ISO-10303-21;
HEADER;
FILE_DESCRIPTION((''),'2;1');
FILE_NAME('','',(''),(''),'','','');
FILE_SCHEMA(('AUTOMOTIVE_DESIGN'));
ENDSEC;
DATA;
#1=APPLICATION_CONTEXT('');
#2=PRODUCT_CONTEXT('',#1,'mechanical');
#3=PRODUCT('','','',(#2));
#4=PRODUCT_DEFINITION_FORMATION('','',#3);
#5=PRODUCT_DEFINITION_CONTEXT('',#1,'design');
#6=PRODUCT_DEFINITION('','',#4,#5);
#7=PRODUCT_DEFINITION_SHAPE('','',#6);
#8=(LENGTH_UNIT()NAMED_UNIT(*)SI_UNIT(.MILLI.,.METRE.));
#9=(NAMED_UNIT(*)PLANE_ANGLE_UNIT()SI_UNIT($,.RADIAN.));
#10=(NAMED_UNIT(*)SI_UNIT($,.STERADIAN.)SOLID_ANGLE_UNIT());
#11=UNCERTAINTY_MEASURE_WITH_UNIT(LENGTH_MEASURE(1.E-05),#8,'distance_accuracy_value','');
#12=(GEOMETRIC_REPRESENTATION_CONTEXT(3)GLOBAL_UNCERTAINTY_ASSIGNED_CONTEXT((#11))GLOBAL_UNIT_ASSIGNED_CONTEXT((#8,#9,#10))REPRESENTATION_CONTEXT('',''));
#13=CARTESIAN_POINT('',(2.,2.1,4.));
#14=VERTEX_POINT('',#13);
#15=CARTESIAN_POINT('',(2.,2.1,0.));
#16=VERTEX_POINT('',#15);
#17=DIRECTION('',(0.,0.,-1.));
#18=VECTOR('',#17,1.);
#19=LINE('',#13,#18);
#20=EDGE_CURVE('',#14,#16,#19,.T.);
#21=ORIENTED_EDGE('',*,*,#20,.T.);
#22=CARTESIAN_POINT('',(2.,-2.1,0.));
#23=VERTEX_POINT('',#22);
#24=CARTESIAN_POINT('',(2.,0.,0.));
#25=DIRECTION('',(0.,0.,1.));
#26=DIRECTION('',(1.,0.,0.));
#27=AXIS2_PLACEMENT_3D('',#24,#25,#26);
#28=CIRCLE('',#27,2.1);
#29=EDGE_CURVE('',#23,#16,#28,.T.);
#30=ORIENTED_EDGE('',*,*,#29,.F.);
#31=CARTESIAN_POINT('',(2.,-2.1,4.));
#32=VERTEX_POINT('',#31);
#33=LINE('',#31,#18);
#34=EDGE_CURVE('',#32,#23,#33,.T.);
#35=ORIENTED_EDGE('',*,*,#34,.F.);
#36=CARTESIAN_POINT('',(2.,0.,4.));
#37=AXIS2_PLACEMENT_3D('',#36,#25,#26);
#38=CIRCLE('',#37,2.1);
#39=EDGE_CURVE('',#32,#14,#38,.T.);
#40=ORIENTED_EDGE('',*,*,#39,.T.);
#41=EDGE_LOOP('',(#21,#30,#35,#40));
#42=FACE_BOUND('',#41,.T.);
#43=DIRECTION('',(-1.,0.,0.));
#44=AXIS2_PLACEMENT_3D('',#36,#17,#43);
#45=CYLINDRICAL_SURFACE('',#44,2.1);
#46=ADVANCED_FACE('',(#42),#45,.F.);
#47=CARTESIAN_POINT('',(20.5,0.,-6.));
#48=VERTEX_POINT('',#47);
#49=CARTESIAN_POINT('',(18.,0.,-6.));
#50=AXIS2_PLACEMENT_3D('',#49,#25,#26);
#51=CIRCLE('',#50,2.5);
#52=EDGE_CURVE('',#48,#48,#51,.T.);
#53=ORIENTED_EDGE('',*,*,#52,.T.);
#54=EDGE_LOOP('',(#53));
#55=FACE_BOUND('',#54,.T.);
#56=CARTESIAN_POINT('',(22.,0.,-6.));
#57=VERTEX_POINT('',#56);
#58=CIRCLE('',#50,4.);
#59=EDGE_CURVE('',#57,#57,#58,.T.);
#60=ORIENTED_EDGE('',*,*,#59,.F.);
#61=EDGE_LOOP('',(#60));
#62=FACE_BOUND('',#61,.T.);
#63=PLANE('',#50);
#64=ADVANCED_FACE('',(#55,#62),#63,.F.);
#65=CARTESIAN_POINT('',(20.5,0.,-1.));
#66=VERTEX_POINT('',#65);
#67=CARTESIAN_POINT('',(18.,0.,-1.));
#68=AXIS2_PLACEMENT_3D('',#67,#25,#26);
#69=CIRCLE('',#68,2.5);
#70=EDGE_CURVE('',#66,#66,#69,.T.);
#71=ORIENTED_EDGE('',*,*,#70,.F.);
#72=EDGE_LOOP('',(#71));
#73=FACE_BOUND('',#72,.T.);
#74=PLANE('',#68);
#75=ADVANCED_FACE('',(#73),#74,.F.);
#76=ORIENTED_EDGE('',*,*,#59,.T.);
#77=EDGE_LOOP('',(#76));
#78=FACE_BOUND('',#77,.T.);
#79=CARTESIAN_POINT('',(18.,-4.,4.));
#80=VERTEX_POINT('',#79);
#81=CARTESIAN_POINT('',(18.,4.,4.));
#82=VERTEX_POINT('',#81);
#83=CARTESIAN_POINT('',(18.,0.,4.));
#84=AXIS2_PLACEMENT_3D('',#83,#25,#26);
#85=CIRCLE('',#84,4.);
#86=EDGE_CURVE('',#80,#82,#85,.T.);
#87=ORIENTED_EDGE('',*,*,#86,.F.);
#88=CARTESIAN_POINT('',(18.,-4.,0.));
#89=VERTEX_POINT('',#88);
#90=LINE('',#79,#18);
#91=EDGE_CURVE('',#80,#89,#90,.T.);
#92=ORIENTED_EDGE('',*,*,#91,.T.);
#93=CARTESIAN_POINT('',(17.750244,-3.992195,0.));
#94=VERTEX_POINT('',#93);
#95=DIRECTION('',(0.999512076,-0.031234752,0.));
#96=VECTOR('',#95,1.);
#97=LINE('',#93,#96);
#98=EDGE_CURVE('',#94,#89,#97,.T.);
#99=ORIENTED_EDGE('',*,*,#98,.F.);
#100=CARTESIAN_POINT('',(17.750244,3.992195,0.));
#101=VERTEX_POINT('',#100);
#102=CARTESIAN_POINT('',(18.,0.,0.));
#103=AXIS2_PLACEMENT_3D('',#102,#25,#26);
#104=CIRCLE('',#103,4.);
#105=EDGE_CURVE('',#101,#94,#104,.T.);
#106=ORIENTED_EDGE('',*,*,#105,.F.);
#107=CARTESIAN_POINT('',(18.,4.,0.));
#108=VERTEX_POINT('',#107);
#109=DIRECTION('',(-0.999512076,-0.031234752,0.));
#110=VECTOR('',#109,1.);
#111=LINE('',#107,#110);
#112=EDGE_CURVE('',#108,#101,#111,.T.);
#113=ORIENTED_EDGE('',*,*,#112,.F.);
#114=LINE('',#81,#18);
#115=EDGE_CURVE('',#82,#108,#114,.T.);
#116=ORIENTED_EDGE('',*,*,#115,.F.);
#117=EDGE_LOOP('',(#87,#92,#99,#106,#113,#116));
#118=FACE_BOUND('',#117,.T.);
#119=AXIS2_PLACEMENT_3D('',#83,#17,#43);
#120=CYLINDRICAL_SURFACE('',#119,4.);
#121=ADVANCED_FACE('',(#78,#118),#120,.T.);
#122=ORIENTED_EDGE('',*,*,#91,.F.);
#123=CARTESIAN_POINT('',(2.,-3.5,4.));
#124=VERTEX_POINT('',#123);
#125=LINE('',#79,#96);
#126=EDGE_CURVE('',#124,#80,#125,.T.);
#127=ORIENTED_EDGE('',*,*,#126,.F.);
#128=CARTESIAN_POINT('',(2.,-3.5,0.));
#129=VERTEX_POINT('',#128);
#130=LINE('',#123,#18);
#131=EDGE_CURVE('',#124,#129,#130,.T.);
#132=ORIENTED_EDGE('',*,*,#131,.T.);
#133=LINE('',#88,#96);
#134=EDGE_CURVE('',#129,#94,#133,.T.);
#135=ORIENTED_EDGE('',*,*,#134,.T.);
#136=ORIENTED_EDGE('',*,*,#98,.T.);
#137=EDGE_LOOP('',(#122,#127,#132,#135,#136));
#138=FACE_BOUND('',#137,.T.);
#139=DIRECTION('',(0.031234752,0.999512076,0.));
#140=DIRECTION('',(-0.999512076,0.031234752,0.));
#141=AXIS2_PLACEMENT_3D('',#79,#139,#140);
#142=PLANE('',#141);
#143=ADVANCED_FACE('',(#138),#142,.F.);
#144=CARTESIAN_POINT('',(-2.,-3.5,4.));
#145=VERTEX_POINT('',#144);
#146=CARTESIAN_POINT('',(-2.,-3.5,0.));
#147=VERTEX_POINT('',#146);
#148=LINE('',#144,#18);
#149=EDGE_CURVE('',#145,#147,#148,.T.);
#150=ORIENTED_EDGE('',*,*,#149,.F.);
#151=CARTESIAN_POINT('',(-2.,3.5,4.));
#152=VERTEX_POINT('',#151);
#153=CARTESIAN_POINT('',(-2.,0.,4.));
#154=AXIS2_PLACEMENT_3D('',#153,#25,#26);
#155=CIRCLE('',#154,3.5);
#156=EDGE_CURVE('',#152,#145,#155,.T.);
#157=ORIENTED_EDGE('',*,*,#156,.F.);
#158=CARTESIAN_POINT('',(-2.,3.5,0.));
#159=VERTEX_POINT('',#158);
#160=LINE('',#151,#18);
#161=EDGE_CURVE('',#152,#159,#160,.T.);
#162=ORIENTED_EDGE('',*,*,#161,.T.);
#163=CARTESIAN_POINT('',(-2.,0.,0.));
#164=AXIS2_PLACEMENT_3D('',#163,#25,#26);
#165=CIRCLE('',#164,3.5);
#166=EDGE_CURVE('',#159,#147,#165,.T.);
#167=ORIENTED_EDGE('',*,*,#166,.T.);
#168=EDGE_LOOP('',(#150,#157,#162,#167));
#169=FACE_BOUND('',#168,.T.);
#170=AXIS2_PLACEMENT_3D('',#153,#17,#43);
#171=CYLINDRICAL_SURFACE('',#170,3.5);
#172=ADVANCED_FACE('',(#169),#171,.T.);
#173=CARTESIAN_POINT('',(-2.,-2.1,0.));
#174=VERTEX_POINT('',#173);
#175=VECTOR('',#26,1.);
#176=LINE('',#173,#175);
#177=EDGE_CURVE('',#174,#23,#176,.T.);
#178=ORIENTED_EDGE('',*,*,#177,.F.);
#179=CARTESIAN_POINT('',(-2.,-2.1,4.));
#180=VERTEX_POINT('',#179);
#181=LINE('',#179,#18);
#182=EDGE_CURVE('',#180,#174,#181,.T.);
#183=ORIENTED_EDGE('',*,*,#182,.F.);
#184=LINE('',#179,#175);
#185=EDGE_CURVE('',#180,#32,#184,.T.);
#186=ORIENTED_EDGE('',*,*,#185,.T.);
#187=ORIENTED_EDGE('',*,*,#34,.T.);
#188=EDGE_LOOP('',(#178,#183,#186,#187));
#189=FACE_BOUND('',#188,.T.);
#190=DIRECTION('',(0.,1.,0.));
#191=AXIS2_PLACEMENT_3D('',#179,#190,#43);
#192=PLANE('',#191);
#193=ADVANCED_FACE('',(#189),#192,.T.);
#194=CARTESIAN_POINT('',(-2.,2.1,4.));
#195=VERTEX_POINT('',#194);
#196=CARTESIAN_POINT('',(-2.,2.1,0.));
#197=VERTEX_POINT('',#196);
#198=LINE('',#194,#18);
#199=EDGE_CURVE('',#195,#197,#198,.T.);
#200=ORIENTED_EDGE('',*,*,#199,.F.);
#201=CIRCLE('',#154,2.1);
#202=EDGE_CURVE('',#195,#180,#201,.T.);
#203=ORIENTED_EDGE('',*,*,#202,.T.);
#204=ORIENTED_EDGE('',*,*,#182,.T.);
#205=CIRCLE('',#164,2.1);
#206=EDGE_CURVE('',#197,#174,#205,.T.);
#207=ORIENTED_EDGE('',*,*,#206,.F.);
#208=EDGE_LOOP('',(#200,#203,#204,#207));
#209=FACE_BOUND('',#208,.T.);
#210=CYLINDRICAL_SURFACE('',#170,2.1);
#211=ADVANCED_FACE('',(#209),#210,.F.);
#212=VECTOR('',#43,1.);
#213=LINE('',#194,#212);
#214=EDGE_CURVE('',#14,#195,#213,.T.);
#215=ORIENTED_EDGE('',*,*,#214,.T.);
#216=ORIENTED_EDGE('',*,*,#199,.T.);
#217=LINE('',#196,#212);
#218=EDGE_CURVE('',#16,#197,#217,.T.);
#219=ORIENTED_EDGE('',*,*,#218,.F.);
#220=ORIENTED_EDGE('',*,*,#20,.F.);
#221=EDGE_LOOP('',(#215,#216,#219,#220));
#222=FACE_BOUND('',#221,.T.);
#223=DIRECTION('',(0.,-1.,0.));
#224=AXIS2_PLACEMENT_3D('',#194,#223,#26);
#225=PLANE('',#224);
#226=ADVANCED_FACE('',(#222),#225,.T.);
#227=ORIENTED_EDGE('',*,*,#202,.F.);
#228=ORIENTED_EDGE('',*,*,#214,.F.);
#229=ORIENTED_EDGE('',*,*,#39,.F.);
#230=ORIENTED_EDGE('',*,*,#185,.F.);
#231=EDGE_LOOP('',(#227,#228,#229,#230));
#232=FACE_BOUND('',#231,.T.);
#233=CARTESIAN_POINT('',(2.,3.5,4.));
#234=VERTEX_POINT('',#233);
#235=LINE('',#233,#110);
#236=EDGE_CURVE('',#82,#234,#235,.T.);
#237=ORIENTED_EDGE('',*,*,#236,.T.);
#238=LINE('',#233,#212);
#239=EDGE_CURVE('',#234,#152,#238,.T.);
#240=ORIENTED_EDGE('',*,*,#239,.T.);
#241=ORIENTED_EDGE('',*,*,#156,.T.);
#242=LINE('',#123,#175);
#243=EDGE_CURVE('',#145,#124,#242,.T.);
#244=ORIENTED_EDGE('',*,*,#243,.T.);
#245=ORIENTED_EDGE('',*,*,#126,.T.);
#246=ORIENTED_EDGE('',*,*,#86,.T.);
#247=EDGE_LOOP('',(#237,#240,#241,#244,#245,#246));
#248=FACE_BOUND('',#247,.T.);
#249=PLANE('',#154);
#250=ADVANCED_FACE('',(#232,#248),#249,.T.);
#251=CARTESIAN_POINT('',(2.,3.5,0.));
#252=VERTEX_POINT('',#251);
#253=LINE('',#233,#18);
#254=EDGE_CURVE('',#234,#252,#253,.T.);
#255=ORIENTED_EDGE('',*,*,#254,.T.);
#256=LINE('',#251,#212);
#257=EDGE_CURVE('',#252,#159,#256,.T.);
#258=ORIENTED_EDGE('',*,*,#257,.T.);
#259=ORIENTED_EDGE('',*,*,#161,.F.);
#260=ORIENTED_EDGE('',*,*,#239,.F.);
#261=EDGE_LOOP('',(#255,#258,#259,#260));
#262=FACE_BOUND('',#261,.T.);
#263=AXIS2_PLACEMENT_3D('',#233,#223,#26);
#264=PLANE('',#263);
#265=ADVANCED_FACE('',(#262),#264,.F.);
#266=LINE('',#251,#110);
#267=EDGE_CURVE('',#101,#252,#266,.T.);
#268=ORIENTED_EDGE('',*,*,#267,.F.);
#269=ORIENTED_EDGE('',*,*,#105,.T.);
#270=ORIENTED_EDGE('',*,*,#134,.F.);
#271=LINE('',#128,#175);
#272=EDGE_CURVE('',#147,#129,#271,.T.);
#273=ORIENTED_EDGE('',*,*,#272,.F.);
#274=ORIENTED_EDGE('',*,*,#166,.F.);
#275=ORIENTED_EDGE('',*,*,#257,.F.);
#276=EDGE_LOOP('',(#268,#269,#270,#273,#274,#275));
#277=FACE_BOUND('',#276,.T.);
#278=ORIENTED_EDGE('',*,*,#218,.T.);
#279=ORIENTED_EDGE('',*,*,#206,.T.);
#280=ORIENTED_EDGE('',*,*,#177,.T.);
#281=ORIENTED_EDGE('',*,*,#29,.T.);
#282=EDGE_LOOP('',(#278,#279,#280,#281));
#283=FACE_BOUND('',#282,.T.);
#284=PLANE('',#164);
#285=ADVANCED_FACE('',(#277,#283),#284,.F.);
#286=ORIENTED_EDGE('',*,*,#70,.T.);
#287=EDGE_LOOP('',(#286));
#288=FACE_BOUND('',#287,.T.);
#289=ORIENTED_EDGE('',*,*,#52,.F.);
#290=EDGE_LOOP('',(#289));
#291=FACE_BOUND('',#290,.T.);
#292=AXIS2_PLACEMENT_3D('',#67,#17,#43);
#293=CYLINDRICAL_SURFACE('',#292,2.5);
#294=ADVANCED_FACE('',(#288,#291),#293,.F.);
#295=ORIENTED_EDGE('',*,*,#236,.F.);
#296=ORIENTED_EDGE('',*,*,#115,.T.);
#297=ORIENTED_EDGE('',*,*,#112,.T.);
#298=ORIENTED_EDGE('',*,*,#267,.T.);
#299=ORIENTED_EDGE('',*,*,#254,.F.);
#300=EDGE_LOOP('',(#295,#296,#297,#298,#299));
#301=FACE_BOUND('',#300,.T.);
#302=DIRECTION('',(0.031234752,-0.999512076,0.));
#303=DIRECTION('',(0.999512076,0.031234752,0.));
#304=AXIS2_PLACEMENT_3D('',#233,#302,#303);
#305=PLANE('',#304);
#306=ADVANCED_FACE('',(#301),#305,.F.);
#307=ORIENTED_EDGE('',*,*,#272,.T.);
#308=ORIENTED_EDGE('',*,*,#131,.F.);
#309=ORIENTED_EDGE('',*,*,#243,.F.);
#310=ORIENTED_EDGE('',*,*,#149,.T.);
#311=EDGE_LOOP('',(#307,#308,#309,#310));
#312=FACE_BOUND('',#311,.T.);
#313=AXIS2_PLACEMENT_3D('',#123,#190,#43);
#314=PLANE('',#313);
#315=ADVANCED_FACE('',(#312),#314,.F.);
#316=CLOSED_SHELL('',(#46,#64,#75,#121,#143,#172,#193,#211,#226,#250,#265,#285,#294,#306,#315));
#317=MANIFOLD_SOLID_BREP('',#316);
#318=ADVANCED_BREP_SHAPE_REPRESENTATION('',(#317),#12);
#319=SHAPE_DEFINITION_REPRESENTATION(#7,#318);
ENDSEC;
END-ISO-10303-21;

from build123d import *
from build123d.topology import SkipClean

# Parameters (mm, degrees)
BOSS_EXTRU_1_DEPTH      = 4
ESQUISSE2_R             = 4
BOSS_EXTRU_2_DEPTH      = 6
ENL_V_START             = -6
ESQUISSE3_R             = 2.5
ENL_V_MAT_EXTRU_1_DEPTH = 5


with BuildPart() as part:
    # Esquisse1 → Boss.-Extru.1 (new body)
    with BuildSketch(Plane.XY):
        with BuildLine():
            Line((2, -3.5), (-2, -3.5))
            ThreePointArc((-2, -3.5), (-5.5, 0), (-2, 3.5))
            Line((-2, 3.5), (2, 3.5))
            Line((2, 3.5), (18, 4))
            ThreePointArc((18, 4), (22, 0), (18, -4))
            Line((18, -4), (2, -3.5))
        make_face()
        with BuildLine():
            Line((-2, 2.1), (2, 2.1))
            ThreePointArc((2, 2.1), (4.1, 0), (2, -2.1))
            Line((2, -2.1), (-2, -2.1))
            ThreePointArc((-2, -2.1), (-4.1, 0), (-2, 2.1))
        make_face(mode=Mode.SUBTRACT)
    extrude(amount=BOSS_EXTRU_1_DEPTH)

    # Esquisse2 → Boss.-Extru.2 (add)
    with SkipClean():  # the faces are left unmerged after this step: merging them gives an invalid solid
        with BuildSketch(Plane.XY):
            with Locations(Location((18, 0, 0), (0, 0, 266.420178784))):
                Circle(ESQUISSE2_R)
        extrude(amount=-BOSS_EXTRU_2_DEPTH)

    # Esquisse3 → Enlèv. mat.-Extru.1 (cut)
    with SkipClean():  # the faces are left unmerged after this step: merging them gives an invalid solid
        with BuildSketch(Plane.XY.offset(ENL_V_START)):
            with Locations((18, 0)):
                Circle(ESQUISSE3_R)
        extrude(amount=ENL_V_MAT_EXTRU_1_DEPTH, mode=Mode.SUBTRACT)


solid = part.part
